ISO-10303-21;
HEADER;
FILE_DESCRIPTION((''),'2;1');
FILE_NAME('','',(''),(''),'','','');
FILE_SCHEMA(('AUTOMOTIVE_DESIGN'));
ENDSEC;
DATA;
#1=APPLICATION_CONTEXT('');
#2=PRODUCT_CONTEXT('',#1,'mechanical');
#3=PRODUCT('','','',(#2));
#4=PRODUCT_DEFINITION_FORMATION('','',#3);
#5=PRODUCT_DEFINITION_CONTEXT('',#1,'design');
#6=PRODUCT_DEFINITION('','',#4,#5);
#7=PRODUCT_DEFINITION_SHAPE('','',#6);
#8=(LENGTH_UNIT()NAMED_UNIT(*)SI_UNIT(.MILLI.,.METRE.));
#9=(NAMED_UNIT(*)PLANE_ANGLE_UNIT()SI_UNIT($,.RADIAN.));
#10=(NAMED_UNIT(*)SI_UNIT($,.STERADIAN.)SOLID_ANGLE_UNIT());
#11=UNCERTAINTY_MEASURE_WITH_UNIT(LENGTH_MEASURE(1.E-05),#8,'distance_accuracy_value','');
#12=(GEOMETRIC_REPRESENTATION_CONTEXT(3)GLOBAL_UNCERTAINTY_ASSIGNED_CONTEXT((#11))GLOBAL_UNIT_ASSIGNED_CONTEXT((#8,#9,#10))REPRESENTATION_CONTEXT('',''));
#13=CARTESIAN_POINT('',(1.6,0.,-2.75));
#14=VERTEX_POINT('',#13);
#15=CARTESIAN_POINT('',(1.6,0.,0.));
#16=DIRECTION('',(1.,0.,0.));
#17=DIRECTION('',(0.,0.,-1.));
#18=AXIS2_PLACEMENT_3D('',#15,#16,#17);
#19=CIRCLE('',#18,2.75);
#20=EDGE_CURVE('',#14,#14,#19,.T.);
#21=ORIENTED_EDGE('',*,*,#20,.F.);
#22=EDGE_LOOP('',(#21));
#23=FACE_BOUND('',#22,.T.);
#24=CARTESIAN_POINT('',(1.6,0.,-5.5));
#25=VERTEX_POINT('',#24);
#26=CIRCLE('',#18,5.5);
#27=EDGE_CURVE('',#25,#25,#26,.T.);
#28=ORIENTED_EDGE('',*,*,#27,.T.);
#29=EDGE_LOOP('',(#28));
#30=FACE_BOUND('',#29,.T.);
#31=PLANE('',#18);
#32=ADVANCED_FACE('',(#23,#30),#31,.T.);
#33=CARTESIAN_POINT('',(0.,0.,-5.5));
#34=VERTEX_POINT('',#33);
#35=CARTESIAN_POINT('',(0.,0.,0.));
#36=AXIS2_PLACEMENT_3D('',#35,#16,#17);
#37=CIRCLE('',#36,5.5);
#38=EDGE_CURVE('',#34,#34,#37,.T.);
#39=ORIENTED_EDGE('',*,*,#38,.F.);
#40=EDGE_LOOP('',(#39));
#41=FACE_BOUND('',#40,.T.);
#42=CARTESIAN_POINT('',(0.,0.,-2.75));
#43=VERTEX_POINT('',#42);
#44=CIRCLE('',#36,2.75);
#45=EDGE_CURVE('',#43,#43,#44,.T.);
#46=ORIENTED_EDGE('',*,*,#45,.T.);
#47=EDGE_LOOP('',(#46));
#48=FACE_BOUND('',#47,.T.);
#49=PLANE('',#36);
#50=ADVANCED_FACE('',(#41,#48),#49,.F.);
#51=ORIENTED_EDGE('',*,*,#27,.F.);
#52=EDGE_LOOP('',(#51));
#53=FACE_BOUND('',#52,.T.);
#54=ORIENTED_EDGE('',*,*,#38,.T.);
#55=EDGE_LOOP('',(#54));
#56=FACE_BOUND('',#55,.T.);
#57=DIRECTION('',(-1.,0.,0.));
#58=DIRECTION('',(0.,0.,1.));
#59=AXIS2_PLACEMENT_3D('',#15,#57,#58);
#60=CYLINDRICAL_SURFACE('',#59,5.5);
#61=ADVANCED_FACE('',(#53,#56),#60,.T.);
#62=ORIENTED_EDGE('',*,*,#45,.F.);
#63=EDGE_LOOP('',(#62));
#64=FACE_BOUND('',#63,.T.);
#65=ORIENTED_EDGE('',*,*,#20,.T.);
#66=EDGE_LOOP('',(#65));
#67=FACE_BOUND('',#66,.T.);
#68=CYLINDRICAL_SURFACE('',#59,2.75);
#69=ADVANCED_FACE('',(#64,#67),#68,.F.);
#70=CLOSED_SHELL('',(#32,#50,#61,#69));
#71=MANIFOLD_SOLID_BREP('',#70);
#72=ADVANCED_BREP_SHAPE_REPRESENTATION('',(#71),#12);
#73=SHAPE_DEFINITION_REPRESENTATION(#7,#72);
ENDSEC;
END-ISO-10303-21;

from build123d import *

# Parameters (mm, degrees)
SKETCH1_R          = 5.5
SKETCH1_R_2        = 2.75
BASE_EXTRUDE_DEPTH = 1.6


with BuildPart() as part:
    # Sketch1 → Base-Extrude (new body)
    with BuildSketch(Plane(origin=(0, 0, 0), x_dir=(0, 0, -1), z_dir=(1, 0, 0))):
        Circle(SKETCH1_R)
        Circle(SKETCH1_R_2, mode=Mode.SUBTRACT)
    extrude(amount=BASE_EXTRUDE_DEPTH)


solid = part.part
